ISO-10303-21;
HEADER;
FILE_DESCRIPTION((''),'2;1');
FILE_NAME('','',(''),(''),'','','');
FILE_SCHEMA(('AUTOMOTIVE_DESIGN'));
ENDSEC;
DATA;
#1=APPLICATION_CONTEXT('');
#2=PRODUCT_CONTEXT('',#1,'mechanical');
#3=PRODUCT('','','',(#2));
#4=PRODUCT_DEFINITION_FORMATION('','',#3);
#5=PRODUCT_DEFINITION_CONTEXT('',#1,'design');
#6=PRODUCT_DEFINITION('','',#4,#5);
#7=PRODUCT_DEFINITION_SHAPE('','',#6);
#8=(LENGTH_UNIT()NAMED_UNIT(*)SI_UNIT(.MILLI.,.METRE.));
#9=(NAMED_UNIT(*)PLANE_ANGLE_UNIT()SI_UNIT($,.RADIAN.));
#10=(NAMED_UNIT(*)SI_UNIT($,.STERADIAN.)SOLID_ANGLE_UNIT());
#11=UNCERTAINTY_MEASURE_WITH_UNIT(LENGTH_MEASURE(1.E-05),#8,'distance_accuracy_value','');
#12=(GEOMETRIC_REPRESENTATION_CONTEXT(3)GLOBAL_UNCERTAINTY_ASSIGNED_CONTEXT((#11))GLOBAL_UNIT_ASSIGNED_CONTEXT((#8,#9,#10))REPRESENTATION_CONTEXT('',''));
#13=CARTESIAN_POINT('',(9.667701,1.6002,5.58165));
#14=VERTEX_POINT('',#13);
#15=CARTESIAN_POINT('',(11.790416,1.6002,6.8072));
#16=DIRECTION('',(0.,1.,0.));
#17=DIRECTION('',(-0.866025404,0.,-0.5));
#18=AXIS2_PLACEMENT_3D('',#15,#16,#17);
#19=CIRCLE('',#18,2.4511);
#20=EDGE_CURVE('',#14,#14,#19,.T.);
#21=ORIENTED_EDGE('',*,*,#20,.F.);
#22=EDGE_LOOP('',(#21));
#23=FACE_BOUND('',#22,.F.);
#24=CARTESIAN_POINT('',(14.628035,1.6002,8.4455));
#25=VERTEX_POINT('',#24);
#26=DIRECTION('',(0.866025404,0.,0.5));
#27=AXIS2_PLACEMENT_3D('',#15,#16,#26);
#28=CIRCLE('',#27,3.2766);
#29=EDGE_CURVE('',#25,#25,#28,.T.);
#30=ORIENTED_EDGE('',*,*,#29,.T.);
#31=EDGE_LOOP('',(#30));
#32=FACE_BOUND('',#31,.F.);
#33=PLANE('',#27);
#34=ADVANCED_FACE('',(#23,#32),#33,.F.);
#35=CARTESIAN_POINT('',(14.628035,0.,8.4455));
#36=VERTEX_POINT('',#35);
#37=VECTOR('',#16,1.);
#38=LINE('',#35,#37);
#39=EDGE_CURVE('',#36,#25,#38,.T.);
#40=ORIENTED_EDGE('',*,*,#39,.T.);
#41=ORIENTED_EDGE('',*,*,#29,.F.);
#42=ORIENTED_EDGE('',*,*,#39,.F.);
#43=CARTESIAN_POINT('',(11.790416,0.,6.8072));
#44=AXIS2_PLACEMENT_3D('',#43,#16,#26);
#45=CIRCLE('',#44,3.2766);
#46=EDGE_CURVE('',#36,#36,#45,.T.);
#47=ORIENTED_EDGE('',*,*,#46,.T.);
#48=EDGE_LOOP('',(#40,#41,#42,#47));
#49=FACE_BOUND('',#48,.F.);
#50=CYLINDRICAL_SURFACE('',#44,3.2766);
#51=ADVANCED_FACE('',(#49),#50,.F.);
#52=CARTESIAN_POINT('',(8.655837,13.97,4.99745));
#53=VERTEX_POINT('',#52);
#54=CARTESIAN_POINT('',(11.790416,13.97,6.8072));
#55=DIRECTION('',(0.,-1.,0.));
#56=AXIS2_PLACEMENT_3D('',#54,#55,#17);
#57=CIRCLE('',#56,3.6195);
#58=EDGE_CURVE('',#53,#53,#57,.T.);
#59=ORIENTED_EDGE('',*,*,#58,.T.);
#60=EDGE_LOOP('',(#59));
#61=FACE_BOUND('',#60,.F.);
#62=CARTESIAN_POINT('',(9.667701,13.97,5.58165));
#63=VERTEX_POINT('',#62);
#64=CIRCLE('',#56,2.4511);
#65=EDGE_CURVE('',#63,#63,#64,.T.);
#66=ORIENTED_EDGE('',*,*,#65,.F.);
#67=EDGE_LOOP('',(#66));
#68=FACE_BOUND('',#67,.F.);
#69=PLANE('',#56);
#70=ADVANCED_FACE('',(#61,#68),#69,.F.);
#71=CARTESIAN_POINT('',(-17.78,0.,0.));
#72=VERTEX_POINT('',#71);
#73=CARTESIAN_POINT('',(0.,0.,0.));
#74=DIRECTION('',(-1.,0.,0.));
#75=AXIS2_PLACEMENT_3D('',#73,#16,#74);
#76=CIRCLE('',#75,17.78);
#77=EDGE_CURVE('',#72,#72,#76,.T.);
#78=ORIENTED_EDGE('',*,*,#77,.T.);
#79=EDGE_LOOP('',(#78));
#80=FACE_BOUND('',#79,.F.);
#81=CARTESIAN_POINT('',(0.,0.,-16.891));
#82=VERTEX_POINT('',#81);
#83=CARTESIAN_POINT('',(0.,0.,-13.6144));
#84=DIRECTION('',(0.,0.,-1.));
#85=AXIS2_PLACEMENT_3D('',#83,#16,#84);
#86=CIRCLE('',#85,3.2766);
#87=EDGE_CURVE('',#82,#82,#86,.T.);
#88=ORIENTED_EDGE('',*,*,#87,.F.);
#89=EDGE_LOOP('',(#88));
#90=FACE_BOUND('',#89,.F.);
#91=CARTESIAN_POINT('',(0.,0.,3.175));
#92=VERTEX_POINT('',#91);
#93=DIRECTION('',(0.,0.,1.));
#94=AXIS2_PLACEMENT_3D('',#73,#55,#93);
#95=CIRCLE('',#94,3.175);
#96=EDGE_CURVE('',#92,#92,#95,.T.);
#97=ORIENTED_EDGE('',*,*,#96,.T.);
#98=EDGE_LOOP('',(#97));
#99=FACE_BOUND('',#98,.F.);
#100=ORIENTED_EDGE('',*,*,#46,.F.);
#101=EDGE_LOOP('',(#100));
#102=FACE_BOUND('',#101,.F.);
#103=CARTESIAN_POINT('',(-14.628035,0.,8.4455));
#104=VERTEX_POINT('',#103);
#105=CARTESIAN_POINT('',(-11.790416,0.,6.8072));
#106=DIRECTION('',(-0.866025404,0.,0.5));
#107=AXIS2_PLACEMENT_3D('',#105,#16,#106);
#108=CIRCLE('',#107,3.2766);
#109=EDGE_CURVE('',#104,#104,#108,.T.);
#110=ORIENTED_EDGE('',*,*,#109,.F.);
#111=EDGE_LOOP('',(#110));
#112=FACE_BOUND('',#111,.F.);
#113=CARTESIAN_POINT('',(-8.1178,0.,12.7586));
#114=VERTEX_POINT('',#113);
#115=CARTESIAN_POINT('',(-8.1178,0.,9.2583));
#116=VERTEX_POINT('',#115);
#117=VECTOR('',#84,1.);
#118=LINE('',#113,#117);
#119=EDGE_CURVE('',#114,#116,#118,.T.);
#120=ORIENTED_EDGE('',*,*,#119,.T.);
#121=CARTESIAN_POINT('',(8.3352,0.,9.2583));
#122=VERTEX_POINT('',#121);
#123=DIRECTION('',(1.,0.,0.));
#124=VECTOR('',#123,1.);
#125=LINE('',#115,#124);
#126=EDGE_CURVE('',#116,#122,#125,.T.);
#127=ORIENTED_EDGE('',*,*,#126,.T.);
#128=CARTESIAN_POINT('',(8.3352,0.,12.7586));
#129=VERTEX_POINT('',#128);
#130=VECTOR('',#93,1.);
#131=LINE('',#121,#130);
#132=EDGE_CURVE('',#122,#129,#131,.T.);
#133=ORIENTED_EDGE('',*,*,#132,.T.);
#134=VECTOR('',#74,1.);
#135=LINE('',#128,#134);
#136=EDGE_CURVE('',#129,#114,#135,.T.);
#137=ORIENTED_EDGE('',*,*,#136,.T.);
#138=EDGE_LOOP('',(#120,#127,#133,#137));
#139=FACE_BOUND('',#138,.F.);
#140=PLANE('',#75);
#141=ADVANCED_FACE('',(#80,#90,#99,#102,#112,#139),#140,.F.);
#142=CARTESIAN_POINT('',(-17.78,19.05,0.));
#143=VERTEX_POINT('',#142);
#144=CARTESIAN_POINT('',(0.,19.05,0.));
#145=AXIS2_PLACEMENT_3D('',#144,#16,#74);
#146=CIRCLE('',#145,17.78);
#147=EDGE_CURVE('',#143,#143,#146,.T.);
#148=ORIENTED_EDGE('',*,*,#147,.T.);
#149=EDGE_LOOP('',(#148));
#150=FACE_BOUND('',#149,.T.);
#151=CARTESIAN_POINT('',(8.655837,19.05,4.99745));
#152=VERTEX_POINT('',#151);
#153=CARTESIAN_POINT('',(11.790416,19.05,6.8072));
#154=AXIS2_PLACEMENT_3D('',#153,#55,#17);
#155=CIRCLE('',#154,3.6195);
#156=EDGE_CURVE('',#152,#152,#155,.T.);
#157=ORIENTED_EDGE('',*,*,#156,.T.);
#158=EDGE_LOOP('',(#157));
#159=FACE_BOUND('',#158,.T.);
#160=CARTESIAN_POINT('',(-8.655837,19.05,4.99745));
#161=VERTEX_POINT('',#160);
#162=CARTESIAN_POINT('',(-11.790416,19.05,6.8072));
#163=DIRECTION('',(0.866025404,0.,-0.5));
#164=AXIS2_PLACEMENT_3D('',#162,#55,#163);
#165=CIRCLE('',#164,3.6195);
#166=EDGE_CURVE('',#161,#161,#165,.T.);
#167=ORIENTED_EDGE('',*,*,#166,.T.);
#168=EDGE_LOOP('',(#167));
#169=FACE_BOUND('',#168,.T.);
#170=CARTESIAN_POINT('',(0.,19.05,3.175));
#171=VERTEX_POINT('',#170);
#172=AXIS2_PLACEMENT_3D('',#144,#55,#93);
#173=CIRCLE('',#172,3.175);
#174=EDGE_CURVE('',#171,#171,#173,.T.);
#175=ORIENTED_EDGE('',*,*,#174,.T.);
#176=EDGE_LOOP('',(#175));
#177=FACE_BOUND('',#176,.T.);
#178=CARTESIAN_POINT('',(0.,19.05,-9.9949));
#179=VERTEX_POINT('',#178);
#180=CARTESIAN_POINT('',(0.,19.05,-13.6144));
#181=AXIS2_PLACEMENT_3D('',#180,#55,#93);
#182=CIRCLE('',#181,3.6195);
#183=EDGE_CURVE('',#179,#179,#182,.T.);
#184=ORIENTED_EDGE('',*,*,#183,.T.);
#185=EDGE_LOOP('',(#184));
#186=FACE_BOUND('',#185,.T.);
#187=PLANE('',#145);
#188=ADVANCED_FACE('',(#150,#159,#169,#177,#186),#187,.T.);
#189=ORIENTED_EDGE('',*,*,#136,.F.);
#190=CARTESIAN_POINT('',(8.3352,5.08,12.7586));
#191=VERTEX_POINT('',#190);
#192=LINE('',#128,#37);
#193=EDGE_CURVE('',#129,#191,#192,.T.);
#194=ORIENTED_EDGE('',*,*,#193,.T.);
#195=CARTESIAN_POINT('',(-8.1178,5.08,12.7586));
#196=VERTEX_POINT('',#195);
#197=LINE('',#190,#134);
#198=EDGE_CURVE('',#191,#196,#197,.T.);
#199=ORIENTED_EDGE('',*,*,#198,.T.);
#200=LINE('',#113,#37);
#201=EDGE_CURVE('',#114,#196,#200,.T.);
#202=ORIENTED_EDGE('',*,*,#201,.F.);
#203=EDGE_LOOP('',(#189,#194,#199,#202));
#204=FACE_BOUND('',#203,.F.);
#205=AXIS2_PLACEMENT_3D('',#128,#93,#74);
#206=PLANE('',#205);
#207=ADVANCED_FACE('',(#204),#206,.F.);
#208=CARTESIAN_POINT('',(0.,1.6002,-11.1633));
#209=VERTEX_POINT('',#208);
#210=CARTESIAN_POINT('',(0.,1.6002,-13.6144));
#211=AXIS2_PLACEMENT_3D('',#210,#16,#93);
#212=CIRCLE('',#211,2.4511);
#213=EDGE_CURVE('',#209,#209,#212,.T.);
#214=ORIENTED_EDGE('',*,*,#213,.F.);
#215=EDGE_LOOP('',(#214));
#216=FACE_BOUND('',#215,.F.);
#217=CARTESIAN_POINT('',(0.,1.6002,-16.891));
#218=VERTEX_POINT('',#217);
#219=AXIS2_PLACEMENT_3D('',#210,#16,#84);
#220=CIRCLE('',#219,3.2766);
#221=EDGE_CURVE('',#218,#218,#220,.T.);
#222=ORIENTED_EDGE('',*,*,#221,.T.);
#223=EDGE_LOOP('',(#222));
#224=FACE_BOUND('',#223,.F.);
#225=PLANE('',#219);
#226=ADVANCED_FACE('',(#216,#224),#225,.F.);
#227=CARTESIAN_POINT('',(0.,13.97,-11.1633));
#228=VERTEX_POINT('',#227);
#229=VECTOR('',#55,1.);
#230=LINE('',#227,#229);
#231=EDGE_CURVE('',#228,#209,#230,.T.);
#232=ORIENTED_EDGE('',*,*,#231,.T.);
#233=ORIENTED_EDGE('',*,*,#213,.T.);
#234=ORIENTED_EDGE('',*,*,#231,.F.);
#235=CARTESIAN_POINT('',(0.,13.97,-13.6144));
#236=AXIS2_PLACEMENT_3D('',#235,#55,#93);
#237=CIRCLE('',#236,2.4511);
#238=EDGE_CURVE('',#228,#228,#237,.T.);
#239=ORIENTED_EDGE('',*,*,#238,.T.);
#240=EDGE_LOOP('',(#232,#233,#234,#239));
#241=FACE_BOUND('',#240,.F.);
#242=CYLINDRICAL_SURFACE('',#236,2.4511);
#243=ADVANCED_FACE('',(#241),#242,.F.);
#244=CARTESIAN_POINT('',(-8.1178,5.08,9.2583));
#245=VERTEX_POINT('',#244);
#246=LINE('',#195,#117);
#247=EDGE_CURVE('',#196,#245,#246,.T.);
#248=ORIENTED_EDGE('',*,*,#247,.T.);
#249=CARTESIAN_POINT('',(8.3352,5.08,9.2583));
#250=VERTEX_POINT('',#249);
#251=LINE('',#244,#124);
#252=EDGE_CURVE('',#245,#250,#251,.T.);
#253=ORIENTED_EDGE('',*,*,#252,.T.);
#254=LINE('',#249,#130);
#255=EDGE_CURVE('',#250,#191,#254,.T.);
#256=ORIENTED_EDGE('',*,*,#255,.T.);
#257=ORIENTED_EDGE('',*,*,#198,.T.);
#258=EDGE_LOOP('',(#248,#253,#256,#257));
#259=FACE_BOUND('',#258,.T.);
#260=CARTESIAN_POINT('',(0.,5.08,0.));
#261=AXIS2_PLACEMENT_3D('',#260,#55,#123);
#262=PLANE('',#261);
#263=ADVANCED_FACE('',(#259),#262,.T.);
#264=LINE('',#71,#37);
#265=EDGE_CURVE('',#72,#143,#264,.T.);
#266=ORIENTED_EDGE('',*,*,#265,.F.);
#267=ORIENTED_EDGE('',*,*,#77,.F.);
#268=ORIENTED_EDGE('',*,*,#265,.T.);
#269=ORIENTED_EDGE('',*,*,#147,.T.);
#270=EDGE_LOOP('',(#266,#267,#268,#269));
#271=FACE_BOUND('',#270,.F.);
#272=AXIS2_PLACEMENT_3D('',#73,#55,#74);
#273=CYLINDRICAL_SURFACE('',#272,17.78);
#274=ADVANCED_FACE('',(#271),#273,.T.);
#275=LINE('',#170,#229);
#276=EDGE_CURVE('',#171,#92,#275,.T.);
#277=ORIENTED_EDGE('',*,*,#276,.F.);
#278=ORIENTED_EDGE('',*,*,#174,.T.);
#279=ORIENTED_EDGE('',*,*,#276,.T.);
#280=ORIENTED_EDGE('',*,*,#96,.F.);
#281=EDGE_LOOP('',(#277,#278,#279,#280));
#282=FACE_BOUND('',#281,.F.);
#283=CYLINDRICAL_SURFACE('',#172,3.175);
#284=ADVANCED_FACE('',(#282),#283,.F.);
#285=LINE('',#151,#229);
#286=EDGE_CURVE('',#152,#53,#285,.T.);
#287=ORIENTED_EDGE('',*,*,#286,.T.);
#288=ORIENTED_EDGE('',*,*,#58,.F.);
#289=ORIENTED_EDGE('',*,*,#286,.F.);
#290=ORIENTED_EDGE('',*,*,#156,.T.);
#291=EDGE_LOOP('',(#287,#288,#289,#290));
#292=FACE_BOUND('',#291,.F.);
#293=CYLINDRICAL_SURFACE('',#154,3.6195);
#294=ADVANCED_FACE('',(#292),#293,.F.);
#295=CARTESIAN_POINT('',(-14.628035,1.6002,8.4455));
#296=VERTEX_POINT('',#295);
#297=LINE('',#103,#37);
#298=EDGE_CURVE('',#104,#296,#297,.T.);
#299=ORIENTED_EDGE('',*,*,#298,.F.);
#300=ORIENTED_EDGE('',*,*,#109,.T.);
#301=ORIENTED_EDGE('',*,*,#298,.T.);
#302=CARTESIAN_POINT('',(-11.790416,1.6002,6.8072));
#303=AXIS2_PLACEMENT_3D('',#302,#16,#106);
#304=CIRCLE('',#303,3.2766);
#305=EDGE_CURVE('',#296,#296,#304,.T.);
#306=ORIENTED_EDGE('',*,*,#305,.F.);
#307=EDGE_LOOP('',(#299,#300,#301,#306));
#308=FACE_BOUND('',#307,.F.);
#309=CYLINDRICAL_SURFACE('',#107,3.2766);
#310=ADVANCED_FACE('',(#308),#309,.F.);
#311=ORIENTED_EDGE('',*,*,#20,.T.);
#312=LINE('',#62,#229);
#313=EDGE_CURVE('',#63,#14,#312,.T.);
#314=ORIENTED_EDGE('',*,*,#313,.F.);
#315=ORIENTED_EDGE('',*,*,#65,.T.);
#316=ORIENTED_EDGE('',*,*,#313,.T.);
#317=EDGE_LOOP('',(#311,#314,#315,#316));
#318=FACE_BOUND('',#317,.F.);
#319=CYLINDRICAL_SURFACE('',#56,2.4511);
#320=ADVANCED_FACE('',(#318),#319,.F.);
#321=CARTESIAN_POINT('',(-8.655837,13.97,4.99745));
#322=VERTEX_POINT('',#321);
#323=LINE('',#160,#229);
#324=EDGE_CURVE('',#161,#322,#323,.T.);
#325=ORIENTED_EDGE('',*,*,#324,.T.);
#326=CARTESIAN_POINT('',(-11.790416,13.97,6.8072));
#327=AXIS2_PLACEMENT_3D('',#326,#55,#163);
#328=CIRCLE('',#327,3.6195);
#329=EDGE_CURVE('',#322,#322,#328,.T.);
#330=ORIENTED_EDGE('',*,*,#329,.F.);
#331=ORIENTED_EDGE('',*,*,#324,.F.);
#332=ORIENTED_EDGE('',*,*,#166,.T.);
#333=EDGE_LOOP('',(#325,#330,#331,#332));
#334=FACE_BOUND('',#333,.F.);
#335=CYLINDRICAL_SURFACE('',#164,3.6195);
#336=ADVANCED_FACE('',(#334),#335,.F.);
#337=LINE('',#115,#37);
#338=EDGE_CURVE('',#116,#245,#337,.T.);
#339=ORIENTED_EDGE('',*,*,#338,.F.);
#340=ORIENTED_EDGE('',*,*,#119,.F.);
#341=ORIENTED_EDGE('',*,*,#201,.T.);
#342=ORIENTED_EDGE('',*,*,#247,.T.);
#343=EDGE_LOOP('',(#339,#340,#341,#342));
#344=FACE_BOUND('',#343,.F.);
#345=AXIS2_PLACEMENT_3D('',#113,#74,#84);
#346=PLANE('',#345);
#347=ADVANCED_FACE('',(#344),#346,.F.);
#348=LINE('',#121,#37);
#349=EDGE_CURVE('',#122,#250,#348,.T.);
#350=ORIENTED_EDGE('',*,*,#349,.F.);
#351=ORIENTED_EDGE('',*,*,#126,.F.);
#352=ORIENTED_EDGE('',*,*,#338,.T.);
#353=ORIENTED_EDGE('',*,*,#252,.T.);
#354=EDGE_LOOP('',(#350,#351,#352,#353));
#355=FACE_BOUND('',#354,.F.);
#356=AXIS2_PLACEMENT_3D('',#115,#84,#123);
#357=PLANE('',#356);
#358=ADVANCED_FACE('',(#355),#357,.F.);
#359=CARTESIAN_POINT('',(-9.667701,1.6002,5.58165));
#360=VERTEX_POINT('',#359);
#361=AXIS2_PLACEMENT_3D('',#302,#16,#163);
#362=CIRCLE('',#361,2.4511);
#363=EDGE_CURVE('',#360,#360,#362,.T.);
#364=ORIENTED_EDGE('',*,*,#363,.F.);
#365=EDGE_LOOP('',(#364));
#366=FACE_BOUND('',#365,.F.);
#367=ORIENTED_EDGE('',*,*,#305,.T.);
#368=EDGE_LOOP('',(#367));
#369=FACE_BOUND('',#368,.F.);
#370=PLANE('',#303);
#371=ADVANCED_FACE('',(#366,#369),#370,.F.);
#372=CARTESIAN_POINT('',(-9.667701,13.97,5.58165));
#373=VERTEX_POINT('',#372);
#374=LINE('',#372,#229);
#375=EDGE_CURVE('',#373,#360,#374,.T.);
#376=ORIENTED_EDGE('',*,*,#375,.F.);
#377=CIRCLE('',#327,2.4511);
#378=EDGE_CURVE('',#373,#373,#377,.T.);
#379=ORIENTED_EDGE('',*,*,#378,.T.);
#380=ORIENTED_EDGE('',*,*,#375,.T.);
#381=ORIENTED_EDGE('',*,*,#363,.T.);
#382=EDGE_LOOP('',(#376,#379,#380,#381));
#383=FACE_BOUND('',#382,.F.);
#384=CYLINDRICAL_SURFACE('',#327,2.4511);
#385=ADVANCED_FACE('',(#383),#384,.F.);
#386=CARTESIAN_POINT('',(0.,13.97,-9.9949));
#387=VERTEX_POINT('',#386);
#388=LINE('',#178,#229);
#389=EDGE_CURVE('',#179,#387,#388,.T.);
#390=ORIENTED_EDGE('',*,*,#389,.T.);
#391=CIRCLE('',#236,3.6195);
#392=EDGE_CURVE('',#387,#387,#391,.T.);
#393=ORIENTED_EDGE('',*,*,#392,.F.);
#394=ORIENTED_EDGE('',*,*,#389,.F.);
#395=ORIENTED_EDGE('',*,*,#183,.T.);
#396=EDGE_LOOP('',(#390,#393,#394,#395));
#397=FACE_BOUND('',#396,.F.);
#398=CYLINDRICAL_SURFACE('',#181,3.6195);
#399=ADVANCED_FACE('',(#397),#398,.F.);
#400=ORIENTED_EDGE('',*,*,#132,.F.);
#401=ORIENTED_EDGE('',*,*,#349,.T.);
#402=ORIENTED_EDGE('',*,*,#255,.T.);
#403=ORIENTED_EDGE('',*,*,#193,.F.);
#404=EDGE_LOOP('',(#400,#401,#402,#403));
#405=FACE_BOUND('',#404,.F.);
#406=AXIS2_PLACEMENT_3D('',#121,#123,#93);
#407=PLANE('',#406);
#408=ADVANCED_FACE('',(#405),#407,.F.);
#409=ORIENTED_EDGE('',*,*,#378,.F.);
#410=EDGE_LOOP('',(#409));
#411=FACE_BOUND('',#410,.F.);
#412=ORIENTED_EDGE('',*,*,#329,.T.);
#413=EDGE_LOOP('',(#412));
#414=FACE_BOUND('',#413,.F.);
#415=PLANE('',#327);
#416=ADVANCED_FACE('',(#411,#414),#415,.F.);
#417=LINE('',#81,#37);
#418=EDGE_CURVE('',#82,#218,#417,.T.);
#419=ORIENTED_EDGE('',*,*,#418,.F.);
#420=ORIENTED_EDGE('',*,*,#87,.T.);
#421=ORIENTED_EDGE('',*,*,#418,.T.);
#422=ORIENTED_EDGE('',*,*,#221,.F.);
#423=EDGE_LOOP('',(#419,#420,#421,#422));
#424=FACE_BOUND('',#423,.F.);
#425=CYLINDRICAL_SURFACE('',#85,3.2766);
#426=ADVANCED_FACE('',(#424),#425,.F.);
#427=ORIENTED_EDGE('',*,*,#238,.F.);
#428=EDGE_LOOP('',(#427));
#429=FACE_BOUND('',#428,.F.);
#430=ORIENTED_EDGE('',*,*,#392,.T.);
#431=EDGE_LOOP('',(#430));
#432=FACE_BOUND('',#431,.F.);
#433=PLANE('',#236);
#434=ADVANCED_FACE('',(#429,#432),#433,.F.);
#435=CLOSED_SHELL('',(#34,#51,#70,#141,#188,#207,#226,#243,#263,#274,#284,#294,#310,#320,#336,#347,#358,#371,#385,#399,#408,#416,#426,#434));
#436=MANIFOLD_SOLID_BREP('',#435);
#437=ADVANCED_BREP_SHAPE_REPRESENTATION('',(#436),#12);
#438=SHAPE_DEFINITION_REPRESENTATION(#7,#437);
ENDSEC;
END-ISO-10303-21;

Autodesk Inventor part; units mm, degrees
ref_plane "YZ Plane" through (0, 0, 0) normal (1, 0, 0) x (0, 1, 0)
ref_plane "XZ Plane" through (0, 0, 0) normal (0, 1, 0) x (-1, 0, 0)
ref_plane "XY Plane" through (0, 0, 0) normal (0, 0, 1) x (1, 0, 0)
sketch "Sketch1" plane through (0, 0, 0) normal (0, 1, 0) x (-1, 0, 0)
  line L0 (0, 0) -> (13.6144, 0)
  circle A0 centre (0, 0) radius 17.78
  dimension "d0" = 13.6144
  dimension "d1" = 35.56
extrude "Extrusion1" add sketch "Sketch1" along normal blind 19.05
sketch "Sketch3" plane through (0, 19.05, 0) normal (0, 1, 0) x (1, 0, 0)
  line L0 (0, 0) -> (0, 13.6144)
  line L1 (0, 0) -> (13.6144, 0) construction
  dimension "d4" = 13.6144
  dimension "d5" = 90
hole "Hole1" at (0, 19.05, -13.6144) direction (0, -1, 0) diameter 4.9022 end through all counterbore diameter 7.239 counterbore depth 5.08
sketch "Sketch4" plane through (0, 0, 0) normal (0, -1, 0) x (1, 0, 0)
  circle A0 centre (0, -13.6144) radius 2.4511 projected
  line L0 (0, 0) -> (0, -13.6144)
hole "Hole2" at (0, 0, -13.6144) direction (0, 1, 0) diameter 4.9022 depth 6.35 counterbore diameter 6.5532 counterbore depth 1.6002
pattern_circular "Circular Pattern1" count 3 over 360 about axis through (0, 0, 0) along (0, 1, 0) of "Hole1", "Hole2"
sketch "Sketch6" plane through (0, 19.05, 0) normal (0, 1, 0) x (1, 0, 0)
  point P0 (0, 0)
  point P1 (0, 0)
hole "Hole3" at (0, 19.05, 0) direction (0, -1, 0) diameter 6.35 end through all
sketch "Sketch10" plane through (0, 0, 0) normal (0, -1, 0) x (1, 0, 0)
  circle A0 centre (0, 0) radius 15.24
  circle A1 centre (11.7904, 6.8072) radius 2.4511 projected
  circle A2 centre (-11.7904, 6.8072) radius 2.4511 projected
  line L0 (11.7904, 6.8072) -> (-11.7904, 6.8072)
  line L1 (8.3352, 12.7586) -> (-8.1178, 12.7586)
  line L2 (-8.1178, 12.7586) -> (-8.1178, 9.2583)
  line L3 (-8.1178, 9.2583) -> (8.3352, 9.2583)
  line L4 (8.3352, 9.2583) -> (8.3352, 12.7586)
  dimension "d38" = 30.48
extrude "Extrusion2" cut sketch "Sketch10" against normal blind 5.08 contours L4 L3 L2 L1
properties part number "tablecut"
